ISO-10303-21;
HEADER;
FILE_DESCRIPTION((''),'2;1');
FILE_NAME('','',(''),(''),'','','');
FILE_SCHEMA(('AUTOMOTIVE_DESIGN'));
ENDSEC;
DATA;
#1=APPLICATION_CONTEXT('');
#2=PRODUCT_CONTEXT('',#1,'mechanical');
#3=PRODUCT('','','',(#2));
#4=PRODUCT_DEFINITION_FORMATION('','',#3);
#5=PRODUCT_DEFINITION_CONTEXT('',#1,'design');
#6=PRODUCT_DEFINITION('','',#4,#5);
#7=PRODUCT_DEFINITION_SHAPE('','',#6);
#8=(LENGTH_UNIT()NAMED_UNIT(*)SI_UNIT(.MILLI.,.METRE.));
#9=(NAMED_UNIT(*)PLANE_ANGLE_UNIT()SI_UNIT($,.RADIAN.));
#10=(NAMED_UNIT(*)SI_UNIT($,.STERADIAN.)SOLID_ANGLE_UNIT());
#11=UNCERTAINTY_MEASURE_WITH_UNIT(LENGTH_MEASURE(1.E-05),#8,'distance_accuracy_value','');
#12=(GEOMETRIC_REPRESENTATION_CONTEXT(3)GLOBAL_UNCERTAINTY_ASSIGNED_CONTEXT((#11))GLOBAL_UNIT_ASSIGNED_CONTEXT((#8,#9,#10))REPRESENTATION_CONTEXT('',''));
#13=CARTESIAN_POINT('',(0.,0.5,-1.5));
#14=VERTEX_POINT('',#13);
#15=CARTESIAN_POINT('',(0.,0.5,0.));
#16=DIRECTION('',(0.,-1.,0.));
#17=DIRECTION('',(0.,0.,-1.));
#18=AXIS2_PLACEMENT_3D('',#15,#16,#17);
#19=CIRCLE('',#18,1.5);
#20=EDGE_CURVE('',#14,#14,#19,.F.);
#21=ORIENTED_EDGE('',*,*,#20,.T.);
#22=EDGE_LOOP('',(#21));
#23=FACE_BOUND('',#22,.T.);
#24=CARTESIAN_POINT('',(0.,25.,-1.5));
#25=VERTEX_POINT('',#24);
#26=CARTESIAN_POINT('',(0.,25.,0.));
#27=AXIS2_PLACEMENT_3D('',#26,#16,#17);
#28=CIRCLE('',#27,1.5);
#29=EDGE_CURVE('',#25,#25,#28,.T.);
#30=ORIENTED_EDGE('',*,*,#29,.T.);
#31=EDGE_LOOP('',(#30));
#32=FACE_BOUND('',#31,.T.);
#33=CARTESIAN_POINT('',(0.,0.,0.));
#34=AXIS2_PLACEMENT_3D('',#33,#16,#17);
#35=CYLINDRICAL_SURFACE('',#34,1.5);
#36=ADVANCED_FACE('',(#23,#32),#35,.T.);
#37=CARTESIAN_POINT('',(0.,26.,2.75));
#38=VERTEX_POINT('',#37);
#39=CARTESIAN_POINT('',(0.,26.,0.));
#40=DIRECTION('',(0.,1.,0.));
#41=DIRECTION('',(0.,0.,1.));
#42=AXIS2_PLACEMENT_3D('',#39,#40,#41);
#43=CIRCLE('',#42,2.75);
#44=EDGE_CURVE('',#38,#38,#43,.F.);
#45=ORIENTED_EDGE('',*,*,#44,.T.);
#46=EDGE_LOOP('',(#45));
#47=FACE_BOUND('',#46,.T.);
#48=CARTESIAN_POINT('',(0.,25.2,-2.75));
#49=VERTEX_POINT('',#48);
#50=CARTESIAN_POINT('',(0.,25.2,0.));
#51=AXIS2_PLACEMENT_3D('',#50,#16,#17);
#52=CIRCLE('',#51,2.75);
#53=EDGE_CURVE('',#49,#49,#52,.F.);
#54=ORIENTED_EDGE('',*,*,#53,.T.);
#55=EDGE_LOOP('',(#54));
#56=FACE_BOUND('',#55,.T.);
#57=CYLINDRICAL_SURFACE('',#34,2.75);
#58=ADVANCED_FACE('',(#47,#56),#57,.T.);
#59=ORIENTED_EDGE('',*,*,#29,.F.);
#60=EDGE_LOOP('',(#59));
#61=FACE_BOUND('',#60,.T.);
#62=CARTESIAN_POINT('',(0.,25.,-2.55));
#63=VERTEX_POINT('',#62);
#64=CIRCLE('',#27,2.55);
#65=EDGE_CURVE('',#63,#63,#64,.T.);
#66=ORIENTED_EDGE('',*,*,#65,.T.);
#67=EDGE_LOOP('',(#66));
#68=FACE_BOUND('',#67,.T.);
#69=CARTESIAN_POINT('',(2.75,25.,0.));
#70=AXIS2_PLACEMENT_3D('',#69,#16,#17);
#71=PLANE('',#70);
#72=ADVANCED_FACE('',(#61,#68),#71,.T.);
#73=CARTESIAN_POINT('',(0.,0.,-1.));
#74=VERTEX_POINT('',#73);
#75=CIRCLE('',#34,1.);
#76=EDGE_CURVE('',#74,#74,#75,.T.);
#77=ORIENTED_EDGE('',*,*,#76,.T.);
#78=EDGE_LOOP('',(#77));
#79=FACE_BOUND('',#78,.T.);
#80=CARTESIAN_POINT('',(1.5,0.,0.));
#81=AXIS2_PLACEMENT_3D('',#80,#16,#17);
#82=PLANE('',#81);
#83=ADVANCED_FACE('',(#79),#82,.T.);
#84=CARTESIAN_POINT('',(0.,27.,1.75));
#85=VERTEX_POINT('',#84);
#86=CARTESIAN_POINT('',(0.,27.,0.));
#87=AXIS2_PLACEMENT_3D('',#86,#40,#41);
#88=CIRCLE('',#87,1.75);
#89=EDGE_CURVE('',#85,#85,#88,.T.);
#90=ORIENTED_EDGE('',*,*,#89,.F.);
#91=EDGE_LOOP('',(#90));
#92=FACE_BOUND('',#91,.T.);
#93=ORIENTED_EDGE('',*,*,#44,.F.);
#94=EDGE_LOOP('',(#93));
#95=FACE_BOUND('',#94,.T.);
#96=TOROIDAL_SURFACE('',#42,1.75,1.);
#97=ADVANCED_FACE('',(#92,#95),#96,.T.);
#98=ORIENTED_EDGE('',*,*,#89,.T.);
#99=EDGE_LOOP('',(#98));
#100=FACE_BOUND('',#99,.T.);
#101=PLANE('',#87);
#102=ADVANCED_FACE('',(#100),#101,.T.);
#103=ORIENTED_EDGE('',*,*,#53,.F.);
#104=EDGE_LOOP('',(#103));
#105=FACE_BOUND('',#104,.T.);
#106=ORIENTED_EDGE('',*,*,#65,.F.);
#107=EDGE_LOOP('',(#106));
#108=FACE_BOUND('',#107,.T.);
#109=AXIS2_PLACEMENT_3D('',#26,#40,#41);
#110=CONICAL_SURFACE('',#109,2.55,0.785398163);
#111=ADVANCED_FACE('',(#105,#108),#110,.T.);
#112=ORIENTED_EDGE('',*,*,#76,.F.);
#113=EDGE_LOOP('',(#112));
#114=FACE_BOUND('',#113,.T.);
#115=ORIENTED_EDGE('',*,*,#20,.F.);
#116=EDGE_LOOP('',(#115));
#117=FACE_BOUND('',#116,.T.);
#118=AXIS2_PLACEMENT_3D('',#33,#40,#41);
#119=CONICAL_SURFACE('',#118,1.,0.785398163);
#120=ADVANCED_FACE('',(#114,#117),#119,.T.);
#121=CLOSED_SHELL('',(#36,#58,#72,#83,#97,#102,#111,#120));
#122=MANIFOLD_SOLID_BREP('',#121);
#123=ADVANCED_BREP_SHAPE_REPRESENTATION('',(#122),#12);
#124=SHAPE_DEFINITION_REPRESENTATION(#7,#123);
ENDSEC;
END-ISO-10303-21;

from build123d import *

# Parameters (mm, degrees)
FILLET1_R     = 1
CHAMFER1_SIZE = 0.5
CHAMFER2_SIZE = 0.2


with BuildPart() as part:
    # Sketch1 → Revolve1 (revolve)
    with BuildSketch(Plane.XY, mode=Mode.PRIVATE) as revolve1_sk:
        Polygon((0, 0), (0, 27), (2.75, 27), (2.75, 25), (1.5, 25), (1.5, 0), align=None)
    revolve(revolve1_sk.sketch.rotate(Axis((0, 0, 0), (0, 1, 0)), 90), axis=Axis((0, 0, 0), (0, 1, 0)))

    # Fillet1
    fillet1_edges = [part.edges().sort_by_distance(p)[0] for p in [
        (0, 27, 2.75),
    ]]
    fillet(fillet1_edges, radius=FILLET1_R)

    # Chamfer1
    chamfer1_edges = [part.edges().sort_by_distance(p)[0] for p in [
        (0, 0, 1.5),
    ]]
    chamfer(chamfer1_edges, length=CHAMFER1_SIZE)

    # Chamfer2
    chamfer2_edges = [part.edges().sort_by_distance(p)[0] for p in [
        (0, 25, 2.75),
    ]]
    chamfer(chamfer2_edges, length=CHAMFER2_SIZE)


solid = part.part
